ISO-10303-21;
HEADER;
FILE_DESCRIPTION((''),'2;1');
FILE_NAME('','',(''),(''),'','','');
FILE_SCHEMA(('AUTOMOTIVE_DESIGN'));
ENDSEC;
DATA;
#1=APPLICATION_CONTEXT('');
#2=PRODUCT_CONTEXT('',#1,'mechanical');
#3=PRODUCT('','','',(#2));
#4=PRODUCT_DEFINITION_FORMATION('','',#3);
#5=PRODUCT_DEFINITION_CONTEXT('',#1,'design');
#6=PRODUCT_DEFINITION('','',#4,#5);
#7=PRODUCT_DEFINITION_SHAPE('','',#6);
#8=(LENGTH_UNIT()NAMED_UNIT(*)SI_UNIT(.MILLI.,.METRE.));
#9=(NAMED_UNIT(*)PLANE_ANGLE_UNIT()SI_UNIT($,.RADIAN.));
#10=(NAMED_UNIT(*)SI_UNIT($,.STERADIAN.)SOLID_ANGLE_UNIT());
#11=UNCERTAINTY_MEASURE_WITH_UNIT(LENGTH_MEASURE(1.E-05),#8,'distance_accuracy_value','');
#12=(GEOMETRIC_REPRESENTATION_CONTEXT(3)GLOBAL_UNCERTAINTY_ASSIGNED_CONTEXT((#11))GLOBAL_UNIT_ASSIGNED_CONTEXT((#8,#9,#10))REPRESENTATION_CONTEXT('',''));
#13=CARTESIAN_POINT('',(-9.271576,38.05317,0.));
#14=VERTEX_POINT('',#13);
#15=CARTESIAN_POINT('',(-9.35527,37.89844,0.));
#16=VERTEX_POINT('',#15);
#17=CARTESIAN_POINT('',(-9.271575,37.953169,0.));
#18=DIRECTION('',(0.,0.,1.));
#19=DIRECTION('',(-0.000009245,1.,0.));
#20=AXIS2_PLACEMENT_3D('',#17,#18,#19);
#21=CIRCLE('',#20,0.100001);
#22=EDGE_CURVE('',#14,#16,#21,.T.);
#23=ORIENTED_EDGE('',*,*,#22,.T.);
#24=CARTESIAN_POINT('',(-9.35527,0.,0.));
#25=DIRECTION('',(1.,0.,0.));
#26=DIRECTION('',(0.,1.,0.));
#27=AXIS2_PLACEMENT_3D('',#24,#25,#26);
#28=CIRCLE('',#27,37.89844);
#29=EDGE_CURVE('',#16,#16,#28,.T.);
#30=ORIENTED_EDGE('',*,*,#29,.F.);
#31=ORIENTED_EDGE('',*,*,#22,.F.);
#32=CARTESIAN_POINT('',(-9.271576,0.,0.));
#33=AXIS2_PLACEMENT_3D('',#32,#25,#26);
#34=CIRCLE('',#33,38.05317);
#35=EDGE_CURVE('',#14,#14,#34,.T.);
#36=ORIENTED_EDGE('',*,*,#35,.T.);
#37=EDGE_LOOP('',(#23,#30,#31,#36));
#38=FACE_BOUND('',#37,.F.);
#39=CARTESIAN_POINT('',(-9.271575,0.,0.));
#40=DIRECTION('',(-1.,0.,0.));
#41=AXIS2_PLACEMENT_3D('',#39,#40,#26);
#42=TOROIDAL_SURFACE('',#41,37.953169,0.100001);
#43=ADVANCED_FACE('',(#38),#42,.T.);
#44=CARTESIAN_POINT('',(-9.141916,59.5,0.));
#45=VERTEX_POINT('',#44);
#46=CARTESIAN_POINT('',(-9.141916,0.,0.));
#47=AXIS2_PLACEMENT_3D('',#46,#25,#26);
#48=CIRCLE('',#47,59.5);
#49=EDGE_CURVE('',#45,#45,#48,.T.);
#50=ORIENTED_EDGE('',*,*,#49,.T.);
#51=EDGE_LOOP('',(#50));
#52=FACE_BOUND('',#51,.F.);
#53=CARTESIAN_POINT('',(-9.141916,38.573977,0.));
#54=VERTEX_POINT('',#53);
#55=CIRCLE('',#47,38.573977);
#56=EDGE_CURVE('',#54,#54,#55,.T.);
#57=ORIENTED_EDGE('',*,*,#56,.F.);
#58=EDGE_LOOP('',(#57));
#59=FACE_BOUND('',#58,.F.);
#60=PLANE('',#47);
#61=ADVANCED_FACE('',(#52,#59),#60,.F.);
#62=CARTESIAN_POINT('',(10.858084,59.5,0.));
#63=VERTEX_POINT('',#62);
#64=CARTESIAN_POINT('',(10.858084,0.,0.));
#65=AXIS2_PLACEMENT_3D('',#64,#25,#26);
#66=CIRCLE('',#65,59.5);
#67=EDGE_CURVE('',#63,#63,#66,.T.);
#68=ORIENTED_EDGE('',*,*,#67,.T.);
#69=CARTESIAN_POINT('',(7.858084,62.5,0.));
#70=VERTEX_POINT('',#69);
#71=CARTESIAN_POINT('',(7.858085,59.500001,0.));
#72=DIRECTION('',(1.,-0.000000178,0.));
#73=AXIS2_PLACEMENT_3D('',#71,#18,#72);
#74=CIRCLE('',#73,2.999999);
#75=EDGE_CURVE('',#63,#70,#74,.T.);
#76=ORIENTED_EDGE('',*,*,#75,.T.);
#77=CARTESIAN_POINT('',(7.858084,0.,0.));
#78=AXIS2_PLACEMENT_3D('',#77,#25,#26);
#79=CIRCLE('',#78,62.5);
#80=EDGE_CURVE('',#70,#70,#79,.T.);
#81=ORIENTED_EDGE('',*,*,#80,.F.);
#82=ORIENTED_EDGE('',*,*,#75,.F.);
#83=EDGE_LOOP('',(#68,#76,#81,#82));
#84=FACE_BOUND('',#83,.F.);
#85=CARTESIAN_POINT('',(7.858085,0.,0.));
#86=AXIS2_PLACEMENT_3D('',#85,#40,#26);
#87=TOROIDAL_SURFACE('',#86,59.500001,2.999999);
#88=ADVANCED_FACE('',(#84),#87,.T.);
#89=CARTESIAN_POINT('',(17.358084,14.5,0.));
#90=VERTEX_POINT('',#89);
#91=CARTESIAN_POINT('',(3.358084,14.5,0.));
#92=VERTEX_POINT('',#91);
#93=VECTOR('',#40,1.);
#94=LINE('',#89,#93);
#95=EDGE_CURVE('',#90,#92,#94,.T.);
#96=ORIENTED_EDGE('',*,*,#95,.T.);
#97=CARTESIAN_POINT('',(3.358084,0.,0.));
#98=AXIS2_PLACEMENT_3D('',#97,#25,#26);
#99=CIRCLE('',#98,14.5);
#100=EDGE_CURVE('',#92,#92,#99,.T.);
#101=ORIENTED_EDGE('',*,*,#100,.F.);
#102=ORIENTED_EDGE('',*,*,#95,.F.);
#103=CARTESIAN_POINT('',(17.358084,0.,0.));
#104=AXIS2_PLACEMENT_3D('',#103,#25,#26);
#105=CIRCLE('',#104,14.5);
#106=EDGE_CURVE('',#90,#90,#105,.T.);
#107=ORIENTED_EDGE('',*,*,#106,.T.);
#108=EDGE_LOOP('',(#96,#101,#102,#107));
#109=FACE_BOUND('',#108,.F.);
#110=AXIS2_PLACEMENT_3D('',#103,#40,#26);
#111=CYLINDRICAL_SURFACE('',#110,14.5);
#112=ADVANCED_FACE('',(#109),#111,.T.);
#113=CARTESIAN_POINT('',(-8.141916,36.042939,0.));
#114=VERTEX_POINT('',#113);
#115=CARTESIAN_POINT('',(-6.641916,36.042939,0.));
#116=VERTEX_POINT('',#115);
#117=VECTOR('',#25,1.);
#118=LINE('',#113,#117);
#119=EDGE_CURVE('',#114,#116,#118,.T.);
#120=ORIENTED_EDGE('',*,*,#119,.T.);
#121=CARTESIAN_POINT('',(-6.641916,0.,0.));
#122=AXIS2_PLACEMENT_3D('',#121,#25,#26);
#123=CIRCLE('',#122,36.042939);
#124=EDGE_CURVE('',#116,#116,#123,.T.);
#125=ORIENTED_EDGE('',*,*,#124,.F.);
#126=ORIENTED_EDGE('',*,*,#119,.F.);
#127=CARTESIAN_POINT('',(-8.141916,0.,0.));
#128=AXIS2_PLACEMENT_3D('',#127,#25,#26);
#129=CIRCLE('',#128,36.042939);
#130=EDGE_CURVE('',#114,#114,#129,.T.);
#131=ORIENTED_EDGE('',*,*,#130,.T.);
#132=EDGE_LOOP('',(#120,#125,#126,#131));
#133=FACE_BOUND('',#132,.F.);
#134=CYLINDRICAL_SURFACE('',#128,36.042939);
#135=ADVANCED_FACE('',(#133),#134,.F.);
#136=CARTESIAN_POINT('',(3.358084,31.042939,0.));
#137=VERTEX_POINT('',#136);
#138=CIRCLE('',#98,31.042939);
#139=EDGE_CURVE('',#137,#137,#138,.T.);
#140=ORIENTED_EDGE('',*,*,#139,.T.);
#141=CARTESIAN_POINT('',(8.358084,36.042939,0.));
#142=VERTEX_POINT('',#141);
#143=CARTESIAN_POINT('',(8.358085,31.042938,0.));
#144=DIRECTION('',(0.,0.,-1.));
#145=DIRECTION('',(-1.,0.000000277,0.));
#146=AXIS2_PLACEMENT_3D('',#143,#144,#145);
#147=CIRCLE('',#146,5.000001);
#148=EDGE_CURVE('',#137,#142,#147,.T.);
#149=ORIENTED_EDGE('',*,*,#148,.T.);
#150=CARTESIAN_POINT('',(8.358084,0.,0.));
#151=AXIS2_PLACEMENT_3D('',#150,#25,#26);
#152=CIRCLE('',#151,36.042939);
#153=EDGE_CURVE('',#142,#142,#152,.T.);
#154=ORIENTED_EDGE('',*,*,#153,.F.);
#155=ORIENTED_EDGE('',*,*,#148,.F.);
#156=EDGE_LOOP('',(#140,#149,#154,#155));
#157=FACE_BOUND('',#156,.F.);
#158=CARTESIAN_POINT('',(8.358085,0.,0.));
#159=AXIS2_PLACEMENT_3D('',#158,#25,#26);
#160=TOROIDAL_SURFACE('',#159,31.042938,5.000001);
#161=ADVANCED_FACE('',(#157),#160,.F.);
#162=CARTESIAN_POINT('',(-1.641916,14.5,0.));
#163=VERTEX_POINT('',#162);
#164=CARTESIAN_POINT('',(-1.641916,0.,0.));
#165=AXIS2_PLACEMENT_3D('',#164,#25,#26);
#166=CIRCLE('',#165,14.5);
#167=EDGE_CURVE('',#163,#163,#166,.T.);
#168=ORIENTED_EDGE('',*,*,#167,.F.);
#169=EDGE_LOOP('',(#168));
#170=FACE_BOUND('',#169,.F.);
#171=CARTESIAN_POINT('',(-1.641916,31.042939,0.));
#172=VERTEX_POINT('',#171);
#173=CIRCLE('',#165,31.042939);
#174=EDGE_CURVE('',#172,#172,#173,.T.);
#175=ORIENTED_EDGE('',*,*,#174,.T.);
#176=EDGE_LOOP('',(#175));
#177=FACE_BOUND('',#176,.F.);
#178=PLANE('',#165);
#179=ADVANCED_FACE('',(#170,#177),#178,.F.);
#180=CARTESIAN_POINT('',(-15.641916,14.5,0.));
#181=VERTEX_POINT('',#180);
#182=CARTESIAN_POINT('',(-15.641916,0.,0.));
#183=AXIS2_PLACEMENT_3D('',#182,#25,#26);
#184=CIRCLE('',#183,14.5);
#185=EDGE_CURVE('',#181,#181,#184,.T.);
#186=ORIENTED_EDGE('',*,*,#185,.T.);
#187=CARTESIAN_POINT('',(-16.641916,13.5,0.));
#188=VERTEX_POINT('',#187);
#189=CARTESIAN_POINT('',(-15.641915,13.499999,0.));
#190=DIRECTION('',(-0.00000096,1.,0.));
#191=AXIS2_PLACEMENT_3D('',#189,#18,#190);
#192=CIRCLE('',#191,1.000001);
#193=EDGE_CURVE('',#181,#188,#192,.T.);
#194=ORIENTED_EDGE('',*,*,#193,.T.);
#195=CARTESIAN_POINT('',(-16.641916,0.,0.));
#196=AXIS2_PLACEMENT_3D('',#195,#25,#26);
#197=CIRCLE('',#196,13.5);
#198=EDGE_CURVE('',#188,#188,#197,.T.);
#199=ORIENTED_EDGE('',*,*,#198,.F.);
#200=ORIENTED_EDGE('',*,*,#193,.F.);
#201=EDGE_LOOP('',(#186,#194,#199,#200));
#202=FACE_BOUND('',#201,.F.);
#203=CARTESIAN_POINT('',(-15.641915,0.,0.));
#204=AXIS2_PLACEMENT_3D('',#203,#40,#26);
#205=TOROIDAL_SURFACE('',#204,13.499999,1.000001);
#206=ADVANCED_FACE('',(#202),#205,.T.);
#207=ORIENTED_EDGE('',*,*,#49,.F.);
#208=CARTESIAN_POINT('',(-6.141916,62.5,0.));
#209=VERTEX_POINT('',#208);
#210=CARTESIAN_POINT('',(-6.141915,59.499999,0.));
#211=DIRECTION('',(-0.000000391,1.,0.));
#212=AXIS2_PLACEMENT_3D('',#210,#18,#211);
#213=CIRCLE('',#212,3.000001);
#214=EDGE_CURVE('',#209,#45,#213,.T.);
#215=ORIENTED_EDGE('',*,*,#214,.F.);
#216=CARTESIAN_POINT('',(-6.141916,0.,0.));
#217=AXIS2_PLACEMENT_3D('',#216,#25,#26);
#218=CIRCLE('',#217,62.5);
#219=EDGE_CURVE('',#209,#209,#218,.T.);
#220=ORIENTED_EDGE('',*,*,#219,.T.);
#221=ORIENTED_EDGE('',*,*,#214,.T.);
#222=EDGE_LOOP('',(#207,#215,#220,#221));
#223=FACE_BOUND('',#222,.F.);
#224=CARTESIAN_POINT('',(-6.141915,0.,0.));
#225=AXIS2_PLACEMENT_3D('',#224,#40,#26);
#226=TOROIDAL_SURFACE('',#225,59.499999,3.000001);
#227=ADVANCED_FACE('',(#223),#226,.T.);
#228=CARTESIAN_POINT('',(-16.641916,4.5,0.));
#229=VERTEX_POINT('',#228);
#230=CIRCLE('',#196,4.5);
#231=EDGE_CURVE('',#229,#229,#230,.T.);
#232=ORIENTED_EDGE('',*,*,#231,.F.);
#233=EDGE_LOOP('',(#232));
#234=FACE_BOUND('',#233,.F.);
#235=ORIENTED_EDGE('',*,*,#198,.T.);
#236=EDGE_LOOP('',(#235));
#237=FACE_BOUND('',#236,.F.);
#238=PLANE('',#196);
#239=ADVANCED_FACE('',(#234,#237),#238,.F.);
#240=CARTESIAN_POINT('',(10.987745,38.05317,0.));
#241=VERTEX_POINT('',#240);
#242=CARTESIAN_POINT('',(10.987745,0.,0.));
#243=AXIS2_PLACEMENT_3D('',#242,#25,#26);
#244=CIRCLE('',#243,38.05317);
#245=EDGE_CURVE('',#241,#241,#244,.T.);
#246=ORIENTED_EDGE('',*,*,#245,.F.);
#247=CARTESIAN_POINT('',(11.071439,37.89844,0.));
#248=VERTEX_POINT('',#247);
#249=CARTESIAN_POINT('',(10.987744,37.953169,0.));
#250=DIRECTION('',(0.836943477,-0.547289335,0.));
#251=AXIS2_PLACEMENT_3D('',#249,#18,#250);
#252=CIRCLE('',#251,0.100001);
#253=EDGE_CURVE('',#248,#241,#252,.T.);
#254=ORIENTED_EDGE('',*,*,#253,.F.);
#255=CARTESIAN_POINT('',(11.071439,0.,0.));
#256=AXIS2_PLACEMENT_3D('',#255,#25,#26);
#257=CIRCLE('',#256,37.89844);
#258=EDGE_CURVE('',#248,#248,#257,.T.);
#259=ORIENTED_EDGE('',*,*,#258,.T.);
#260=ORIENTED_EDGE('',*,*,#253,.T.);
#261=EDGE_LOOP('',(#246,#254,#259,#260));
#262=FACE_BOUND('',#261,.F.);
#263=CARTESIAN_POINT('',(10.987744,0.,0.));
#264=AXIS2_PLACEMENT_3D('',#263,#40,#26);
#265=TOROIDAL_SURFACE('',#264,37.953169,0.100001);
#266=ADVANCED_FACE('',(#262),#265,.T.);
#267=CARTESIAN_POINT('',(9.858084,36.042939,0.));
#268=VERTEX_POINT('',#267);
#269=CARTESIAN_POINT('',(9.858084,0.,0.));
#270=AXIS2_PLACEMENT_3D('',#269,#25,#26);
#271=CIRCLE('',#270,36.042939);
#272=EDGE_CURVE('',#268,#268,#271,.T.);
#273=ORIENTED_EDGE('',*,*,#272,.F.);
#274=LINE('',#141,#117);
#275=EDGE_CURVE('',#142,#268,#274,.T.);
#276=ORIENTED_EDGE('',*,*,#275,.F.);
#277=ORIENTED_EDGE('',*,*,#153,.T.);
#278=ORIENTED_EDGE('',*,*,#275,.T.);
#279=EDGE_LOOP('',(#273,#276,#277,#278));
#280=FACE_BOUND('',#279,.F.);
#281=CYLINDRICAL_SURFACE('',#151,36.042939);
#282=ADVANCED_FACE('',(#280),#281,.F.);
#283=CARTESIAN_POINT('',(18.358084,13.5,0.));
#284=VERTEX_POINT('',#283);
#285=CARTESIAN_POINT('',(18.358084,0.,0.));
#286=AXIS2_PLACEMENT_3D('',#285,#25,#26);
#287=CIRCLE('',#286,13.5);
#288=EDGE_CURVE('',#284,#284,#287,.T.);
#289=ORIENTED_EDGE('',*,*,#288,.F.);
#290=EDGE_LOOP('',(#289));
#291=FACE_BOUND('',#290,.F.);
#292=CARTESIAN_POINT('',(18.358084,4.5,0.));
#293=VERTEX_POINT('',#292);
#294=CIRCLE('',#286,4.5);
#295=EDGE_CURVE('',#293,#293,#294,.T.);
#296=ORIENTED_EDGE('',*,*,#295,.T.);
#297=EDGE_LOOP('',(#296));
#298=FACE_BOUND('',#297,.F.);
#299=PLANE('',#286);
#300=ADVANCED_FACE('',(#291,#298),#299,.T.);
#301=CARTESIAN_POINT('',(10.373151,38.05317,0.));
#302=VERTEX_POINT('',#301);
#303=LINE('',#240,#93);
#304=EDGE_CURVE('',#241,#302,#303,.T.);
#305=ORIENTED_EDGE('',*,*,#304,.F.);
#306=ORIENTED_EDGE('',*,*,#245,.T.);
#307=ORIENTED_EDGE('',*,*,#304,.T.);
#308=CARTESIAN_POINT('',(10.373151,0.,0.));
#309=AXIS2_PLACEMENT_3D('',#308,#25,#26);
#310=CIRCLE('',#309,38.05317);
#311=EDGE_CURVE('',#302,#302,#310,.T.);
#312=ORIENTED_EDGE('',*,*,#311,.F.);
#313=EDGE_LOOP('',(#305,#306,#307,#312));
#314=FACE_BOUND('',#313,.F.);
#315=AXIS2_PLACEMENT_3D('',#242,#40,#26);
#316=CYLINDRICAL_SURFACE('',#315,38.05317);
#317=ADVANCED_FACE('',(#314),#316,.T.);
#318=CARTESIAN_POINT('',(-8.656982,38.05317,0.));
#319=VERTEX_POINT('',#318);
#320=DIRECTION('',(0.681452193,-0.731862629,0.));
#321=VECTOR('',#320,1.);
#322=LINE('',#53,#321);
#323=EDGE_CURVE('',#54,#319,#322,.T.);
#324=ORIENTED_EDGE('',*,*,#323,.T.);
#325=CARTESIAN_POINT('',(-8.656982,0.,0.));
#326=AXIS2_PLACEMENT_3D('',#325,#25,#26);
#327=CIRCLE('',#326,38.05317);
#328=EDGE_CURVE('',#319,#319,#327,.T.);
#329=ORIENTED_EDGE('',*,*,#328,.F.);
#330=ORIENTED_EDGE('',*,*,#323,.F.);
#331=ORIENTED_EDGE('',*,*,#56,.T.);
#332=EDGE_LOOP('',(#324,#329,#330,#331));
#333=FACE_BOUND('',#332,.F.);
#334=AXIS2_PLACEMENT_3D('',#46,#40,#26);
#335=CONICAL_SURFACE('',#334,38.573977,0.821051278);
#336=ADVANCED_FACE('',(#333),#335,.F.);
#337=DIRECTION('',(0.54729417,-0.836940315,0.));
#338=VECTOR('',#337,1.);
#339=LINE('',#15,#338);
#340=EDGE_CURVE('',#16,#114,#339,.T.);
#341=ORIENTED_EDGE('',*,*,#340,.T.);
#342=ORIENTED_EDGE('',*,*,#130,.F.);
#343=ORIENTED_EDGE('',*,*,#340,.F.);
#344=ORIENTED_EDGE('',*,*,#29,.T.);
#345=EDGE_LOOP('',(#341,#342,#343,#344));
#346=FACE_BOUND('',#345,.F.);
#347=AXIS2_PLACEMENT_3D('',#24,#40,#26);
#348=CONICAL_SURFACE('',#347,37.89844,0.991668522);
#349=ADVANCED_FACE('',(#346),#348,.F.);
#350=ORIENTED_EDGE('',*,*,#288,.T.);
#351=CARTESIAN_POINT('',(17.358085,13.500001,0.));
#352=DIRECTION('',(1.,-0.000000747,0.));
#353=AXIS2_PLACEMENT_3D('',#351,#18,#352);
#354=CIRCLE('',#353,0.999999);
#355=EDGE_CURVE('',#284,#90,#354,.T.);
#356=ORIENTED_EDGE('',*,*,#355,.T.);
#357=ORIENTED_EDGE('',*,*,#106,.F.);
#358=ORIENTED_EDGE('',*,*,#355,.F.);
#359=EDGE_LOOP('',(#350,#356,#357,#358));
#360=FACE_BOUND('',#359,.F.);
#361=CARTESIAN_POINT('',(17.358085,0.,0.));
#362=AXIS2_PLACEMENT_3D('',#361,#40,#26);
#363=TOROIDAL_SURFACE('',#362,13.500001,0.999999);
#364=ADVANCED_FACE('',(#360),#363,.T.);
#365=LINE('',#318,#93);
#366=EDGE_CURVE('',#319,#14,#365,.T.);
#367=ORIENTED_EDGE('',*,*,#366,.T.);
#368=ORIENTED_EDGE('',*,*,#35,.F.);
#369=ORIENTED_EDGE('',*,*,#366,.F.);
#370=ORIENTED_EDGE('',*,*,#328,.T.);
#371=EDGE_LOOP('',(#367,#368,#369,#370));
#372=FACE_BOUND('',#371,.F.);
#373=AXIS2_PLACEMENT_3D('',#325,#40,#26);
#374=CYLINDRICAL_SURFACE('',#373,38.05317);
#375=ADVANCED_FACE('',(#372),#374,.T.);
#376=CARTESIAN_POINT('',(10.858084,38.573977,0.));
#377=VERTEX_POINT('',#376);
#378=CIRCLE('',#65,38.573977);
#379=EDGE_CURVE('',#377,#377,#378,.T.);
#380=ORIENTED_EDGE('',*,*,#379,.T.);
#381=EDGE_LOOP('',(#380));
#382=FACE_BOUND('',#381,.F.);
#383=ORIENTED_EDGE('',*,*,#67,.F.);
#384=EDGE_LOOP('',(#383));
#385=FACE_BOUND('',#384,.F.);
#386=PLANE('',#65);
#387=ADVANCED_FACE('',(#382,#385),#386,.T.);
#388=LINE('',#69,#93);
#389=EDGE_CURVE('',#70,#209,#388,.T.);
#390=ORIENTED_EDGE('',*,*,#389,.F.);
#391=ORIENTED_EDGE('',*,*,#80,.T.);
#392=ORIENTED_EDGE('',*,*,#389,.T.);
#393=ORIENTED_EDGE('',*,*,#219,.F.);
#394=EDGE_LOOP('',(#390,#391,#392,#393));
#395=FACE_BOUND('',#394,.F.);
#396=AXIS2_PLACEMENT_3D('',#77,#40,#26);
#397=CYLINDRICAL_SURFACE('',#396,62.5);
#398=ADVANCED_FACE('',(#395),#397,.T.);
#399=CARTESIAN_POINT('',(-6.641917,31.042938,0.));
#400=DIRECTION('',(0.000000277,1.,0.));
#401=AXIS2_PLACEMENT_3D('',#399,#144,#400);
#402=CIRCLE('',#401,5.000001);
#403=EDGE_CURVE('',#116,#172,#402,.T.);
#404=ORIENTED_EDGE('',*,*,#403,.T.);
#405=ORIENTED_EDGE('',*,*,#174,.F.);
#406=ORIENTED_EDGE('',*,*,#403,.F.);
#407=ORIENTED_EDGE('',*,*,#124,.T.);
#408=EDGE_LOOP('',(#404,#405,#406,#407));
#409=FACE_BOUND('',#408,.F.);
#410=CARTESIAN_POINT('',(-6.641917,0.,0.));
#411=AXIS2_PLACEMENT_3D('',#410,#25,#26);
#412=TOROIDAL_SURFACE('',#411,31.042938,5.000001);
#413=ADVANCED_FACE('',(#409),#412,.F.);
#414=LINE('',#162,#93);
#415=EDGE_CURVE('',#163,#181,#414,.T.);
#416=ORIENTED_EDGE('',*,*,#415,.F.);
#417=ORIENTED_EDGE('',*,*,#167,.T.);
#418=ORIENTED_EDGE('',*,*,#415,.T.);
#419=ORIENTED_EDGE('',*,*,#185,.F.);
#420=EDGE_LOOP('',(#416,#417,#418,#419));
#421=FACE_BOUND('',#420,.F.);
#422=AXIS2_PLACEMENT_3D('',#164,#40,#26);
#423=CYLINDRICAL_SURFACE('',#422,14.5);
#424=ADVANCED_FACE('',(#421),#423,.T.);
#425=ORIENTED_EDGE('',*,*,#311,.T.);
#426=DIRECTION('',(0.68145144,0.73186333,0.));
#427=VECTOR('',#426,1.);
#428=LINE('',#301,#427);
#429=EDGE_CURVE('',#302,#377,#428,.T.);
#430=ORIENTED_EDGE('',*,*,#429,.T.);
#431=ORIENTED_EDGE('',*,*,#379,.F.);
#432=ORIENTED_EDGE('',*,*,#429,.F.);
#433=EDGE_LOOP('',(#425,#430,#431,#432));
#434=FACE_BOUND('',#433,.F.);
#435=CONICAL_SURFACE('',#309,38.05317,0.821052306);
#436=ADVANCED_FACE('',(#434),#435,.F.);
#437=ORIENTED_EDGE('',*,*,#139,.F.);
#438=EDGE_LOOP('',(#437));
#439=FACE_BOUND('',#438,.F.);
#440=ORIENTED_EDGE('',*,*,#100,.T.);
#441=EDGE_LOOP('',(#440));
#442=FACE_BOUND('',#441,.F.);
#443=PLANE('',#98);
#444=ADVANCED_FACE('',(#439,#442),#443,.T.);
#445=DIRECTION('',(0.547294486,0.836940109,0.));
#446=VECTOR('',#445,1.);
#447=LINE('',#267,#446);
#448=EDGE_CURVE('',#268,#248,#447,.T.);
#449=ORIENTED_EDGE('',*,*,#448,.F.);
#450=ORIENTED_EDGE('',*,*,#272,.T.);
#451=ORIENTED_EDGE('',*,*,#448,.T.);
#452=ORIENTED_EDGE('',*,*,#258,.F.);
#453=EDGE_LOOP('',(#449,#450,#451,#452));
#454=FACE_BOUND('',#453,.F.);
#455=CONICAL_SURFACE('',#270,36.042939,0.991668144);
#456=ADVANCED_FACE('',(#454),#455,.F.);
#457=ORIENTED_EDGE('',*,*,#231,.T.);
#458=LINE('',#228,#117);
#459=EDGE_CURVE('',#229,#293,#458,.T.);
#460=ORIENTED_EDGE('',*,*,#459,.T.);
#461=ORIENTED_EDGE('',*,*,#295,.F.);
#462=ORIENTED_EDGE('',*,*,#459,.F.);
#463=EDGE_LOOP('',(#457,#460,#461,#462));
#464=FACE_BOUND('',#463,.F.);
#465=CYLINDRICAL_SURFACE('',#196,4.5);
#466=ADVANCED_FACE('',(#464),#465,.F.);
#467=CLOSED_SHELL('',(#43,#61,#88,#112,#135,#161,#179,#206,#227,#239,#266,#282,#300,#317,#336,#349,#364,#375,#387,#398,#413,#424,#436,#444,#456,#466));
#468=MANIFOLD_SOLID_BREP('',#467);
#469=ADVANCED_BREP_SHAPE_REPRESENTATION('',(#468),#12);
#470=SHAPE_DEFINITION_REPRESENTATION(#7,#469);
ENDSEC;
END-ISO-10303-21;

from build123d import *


with BuildPart() as f1:
    # F0 (on Top) → F1 (revolve)
    with BuildSketch(Plane.XY):
        with BuildLine():
            Line((-8.141916, 37.5), (-8.656982, 38.05317))
            Line((-8.656982, 38.05317), (-9.271576, 38.05317))
            ThreePointArc((-9.271576, 38.05317), (-9.359533, 38.000746), (-9.35527, 37.89844))
            Line((-9.35527, 37.89844), (-8.141916, 36.042939))
            Line((-8.141916, 36.042939), (-6.641916, 36.042939))
            ThreePointArc((-6.641916, 36.042939), (-3.106382, 34.578472), (-1.641916, 31.042939))
            Line((-1.641916, 31.042939), (-1.641916, 14.5))
            Line((-1.641916, 14.5), (-15.641916, 14.5))
            ThreePointArc((-15.641916, 14.5), (-16.349022, 14.207107), (-16.641916, 13.5))
            Line((-16.641916, 13.5), (-16.641916, 4.5))
            Line((-16.641916, 4.5), (0.858084, 4.5))
            Line((0.858084, 4.5), (18.358084, 4.5))
            Line((18.358084, 4.5), (18.358084, 13.5))
            ThreePointArc((18.358084, 13.5), (18.065191, 14.207107), (17.358084, 14.5))
            Line((17.358084, 14.5), (3.358084, 14.5))
            Line((3.358084, 14.5), (3.358084, 31.042939))
            ThreePointArc((3.358084, 31.042939), (4.82255, 34.578472), (8.358084, 36.042939))
            Line((8.358084, 36.042939), (9.858084, 36.042939))
            Line((9.858084, 36.042939), (11.071439, 37.89844))
            ThreePointArc((11.071439, 37.89844), (11.075702, 38.000746), (10.987745, 38.05317))
            Line((10.987745, 38.05317), (10.373151, 38.05317))
            Line((10.373151, 38.05317), (9.858084, 37.5))
            Line((9.858084, 37.5), (0.858084, 37.5))
            Line((0.858084, 37.5), (-8.141916, 37.5))
        make_face()
        with BuildLine():
            Line((7.858084, 62.5), (0.858084, 62.5))
            Line((0.858084, 62.5), (-6.141916, 62.5))
            ThreePointArc((-6.141916, 62.5), (-8.263236, 61.62132), (-9.141916, 59.5))
            Line((-9.141916, 59.5), (-9.141916, 38.573977))
            Line((-9.141916, 38.573977), (-8.656982, 38.05317))
            Line((-8.656982, 38.05317), (-8.141916, 37.5))
            Line((-8.141916, 37.5), (0.858084, 37.5))
            Line((0.858084, 37.5), (9.858084, 37.5))
            Line((9.858084, 37.5), (10.373151, 38.05317))
            Line((10.373151, 38.05317), (10.858084, 38.573977))
            Line((10.858084, 38.573977), (10.858084, 59.5))
            ThreePointArc((10.858084, 59.5), (9.979405, 61.62132), (7.858084, 62.5))
        make_face()
    revolve(axis=Axis((0.858084, 0, 0), (1, 0, 0)))


solid = f1.part
